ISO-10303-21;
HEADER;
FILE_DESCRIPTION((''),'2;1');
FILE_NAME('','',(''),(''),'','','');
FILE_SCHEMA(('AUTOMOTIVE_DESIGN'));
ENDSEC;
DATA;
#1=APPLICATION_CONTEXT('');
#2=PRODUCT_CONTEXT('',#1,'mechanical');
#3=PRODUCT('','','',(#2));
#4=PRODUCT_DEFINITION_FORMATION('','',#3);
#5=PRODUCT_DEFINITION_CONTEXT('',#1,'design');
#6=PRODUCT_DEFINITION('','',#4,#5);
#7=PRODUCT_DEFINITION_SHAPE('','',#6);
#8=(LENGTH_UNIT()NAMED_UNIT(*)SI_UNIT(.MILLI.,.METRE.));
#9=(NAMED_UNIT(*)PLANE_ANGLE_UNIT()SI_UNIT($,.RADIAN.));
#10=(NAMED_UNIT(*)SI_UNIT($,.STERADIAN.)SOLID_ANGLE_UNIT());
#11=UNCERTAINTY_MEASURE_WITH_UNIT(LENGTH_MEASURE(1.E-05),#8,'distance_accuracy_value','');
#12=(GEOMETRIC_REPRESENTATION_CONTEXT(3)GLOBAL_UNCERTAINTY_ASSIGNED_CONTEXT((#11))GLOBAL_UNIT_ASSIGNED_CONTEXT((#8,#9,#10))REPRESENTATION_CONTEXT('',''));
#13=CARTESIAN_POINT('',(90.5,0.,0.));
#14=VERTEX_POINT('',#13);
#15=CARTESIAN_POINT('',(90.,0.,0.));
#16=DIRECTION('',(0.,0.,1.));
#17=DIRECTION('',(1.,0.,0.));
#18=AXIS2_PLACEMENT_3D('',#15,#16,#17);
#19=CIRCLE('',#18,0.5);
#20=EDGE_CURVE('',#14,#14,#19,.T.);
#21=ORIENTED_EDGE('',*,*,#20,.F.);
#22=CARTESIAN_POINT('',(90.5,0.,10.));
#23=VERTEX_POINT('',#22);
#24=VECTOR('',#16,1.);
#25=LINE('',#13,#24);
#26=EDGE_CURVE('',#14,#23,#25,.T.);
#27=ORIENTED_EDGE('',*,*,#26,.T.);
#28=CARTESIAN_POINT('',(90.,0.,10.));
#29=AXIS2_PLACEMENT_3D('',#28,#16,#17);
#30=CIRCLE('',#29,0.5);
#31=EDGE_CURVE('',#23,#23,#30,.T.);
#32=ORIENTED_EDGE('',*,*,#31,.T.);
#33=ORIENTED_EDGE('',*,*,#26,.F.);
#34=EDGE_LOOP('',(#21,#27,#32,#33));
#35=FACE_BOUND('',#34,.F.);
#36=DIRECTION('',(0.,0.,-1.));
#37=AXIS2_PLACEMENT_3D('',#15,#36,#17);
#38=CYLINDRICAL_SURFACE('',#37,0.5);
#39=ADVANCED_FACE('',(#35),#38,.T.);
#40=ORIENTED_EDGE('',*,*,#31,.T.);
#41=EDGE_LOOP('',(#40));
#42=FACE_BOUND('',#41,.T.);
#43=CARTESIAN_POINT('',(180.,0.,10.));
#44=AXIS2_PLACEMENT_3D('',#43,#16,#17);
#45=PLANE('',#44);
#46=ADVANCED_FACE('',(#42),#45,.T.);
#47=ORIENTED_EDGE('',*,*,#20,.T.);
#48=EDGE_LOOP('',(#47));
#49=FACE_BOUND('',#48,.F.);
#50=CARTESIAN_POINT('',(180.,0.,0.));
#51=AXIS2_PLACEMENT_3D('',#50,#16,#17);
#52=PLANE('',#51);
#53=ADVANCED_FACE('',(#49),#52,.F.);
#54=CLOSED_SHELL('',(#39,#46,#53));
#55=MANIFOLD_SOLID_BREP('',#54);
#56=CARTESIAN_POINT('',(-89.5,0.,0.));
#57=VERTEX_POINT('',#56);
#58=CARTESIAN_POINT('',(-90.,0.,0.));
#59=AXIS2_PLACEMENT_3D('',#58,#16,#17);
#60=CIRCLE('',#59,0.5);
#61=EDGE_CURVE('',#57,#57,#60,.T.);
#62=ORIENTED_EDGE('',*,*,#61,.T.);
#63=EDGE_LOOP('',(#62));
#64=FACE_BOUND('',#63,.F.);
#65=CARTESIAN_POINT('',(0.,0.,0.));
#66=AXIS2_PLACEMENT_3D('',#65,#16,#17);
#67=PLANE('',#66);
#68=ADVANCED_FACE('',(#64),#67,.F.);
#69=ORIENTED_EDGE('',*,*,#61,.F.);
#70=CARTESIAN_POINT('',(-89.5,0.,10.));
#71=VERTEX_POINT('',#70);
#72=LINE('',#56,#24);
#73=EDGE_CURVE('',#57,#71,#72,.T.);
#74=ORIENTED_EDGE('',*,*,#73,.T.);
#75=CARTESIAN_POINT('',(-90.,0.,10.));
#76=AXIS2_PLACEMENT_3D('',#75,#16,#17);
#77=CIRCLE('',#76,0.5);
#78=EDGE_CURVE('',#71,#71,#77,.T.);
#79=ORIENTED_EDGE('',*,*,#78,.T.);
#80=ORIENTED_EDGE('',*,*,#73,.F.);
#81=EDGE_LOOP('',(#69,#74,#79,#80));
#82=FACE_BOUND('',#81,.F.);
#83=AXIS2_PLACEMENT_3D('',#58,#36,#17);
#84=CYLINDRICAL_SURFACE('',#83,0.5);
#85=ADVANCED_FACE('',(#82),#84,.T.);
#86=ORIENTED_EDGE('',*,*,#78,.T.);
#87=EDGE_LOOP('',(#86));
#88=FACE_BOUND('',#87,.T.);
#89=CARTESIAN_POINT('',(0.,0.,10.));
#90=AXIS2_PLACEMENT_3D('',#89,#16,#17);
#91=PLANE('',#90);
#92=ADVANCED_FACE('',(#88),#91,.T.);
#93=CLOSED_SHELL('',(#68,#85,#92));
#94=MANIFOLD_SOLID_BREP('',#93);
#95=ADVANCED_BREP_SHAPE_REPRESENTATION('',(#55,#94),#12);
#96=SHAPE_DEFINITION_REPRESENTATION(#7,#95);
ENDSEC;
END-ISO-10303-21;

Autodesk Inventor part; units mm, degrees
ref_plane "YZ Plane" through (0, 0, 0) normal (1, 0, 0) x (0, 1, 0)
ref_plane "XZ Plane" through (0, 0, 0) normal (0, 1, 0) x (-1, 0, 0)
ref_plane "XY Plane" through (0, 0, 0) normal (0, 0, 1) x (1, 0, 0)
sketch "Sketch1" plane through (0, 0, 0) normal (0, 0, 1) x (1, 0, 0)
  line L0 (-150, -8) -> (150, -8)
  line L1 (150, -8) -> (150, 8)
  line L2 (150, 8) -> (-150, 8)
  line L3 (-150, 8) -> (-150, -8)
  line L4 (-150, -8) -> (150, 8) construction
  line L5 (150, -8) -> (-150, 8) construction
  circle A0 centre (-90, 0) radius 0.5
  point P0 (0, 0)
  point P1 (90, 0)
  dimension "ContactPatchLength" = 300
  dimension "ContactPatchWidth" = 16
  dimension "Offset1" = 60
  dimension "Offset2" = 60
  dimension "YCoord" = 8
  dimension "d5" = 1
extrude "Extrusion1" add sketch "Sketch1" along normal blind 10 contours A0
pattern_linear "Rectangular Pattern1" count 2 spacing 180 along (1, 0, 0) of "Extrusion1"
equation "\"d10\" = SpaceBetween"
equation "\"SpaceBetween\" = 180"
equation "\"MinDistance\" = 32"
properties part number "Rafix Skeleton"
